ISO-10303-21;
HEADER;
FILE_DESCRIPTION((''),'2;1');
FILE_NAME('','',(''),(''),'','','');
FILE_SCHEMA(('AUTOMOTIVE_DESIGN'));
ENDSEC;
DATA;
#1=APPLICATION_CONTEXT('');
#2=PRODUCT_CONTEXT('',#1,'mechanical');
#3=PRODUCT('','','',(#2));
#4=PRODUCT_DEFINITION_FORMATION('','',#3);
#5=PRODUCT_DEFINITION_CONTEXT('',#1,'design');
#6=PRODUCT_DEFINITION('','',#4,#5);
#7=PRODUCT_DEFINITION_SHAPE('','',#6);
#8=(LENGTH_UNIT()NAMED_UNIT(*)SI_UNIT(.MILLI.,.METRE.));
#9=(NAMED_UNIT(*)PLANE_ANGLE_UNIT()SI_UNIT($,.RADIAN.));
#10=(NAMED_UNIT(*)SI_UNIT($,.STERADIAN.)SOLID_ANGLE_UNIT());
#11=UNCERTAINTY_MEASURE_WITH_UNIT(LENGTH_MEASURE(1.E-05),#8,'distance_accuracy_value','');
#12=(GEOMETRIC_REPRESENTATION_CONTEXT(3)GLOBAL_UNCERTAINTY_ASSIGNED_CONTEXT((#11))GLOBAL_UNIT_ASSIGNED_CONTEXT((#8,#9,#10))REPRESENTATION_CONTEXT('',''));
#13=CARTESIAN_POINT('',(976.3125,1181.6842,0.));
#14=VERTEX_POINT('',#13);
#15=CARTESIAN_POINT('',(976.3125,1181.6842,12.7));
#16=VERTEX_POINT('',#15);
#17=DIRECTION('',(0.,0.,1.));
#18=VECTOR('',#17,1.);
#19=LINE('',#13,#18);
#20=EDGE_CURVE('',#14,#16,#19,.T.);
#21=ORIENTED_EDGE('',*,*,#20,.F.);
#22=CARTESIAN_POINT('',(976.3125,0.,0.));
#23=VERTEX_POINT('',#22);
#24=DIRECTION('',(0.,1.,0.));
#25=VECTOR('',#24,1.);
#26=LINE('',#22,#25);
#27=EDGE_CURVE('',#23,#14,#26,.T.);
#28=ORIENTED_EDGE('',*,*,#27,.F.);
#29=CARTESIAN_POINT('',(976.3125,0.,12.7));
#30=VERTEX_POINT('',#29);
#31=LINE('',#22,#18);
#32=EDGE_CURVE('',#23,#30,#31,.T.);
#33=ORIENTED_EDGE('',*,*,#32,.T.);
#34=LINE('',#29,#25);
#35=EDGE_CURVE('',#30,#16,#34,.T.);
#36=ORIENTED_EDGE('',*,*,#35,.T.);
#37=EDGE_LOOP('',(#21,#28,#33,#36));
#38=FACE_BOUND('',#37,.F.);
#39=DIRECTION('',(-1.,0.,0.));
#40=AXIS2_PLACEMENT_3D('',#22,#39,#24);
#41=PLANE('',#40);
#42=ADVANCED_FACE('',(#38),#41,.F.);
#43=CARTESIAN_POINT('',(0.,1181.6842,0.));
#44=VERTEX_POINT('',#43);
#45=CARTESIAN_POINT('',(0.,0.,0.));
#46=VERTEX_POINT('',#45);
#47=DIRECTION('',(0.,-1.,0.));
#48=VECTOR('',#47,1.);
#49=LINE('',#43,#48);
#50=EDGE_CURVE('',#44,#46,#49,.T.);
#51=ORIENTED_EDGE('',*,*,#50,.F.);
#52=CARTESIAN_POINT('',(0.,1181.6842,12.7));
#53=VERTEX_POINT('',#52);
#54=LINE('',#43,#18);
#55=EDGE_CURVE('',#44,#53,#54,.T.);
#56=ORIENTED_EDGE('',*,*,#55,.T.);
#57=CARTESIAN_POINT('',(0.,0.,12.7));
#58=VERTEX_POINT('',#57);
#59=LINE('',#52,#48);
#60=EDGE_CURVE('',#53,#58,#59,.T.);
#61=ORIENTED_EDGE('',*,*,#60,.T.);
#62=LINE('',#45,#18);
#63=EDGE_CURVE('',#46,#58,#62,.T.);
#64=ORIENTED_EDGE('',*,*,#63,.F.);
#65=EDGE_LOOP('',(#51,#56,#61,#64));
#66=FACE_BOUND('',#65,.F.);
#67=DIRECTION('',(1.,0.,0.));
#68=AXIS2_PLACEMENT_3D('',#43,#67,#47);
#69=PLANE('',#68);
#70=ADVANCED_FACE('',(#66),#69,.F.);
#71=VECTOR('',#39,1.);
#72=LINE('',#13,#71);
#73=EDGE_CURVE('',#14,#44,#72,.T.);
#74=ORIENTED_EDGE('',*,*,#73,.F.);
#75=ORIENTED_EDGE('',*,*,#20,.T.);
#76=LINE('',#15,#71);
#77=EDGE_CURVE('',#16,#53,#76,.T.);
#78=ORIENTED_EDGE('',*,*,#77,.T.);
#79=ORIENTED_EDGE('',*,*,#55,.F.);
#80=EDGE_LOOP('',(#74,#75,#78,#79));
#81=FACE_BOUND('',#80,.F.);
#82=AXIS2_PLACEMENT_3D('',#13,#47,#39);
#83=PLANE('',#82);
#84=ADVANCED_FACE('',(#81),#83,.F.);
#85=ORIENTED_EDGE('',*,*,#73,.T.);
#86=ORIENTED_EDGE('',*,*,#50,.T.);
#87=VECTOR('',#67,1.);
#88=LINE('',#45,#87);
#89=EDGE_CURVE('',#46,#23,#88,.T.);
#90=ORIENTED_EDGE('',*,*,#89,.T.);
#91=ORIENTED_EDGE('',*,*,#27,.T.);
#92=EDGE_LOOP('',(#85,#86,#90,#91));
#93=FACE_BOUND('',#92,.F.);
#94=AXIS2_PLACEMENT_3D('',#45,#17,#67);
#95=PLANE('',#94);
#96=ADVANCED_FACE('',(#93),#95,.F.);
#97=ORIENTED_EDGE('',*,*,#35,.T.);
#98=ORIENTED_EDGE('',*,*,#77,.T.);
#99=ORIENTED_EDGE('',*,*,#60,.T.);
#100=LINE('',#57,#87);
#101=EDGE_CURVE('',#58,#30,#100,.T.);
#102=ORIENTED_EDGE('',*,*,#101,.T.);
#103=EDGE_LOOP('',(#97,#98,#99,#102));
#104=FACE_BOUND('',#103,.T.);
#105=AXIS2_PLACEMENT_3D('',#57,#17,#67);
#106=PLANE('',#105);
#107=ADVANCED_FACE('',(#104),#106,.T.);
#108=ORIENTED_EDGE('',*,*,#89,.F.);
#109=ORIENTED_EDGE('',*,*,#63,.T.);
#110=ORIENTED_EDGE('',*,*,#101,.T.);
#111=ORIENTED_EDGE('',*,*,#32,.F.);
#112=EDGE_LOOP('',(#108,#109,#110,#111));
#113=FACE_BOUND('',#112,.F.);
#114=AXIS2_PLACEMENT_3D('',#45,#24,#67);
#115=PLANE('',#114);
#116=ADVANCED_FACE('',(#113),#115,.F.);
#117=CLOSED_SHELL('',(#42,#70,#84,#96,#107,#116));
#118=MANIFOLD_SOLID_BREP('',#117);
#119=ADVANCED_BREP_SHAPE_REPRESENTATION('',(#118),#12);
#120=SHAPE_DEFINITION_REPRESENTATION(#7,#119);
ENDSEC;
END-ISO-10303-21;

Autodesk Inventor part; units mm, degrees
ref_plane "YZ Plane" through (0, 0, 0) normal (1, 0, 0) x (0, 1, 0)
ref_plane "XZ Plane" through (0, 0, 0) normal (0, 1, 0) x (-1, 0, 0)
ref_plane "XY Plane" through (0, 0, 0) normal (0, 0, 1) x (1, 0, 0)
sketch "Sketch1" plane through (0, 0, 0) normal (0, 0, 1) x (1, 0, 0)
  line L0 (0, 0) -> (976.3125, 0)
  line L1 (976.3125, 0) -> (976.3125, 1181.6842)
  line L2 (976.3125, 1181.6842) -> (0, 1181.6842)
  line L3 (0, 1181.6842) -> (0, 0)
  dimension "d2" = 1181.6842
  dimension "d3" = 976.3125
extrude "Extrusion1" add sketch "Sketch1" along normal blind 12.7
properties part number "OSB_For_Walls_With_Dimensions_37_x_48_Inches" material "Wood (Birch)"
